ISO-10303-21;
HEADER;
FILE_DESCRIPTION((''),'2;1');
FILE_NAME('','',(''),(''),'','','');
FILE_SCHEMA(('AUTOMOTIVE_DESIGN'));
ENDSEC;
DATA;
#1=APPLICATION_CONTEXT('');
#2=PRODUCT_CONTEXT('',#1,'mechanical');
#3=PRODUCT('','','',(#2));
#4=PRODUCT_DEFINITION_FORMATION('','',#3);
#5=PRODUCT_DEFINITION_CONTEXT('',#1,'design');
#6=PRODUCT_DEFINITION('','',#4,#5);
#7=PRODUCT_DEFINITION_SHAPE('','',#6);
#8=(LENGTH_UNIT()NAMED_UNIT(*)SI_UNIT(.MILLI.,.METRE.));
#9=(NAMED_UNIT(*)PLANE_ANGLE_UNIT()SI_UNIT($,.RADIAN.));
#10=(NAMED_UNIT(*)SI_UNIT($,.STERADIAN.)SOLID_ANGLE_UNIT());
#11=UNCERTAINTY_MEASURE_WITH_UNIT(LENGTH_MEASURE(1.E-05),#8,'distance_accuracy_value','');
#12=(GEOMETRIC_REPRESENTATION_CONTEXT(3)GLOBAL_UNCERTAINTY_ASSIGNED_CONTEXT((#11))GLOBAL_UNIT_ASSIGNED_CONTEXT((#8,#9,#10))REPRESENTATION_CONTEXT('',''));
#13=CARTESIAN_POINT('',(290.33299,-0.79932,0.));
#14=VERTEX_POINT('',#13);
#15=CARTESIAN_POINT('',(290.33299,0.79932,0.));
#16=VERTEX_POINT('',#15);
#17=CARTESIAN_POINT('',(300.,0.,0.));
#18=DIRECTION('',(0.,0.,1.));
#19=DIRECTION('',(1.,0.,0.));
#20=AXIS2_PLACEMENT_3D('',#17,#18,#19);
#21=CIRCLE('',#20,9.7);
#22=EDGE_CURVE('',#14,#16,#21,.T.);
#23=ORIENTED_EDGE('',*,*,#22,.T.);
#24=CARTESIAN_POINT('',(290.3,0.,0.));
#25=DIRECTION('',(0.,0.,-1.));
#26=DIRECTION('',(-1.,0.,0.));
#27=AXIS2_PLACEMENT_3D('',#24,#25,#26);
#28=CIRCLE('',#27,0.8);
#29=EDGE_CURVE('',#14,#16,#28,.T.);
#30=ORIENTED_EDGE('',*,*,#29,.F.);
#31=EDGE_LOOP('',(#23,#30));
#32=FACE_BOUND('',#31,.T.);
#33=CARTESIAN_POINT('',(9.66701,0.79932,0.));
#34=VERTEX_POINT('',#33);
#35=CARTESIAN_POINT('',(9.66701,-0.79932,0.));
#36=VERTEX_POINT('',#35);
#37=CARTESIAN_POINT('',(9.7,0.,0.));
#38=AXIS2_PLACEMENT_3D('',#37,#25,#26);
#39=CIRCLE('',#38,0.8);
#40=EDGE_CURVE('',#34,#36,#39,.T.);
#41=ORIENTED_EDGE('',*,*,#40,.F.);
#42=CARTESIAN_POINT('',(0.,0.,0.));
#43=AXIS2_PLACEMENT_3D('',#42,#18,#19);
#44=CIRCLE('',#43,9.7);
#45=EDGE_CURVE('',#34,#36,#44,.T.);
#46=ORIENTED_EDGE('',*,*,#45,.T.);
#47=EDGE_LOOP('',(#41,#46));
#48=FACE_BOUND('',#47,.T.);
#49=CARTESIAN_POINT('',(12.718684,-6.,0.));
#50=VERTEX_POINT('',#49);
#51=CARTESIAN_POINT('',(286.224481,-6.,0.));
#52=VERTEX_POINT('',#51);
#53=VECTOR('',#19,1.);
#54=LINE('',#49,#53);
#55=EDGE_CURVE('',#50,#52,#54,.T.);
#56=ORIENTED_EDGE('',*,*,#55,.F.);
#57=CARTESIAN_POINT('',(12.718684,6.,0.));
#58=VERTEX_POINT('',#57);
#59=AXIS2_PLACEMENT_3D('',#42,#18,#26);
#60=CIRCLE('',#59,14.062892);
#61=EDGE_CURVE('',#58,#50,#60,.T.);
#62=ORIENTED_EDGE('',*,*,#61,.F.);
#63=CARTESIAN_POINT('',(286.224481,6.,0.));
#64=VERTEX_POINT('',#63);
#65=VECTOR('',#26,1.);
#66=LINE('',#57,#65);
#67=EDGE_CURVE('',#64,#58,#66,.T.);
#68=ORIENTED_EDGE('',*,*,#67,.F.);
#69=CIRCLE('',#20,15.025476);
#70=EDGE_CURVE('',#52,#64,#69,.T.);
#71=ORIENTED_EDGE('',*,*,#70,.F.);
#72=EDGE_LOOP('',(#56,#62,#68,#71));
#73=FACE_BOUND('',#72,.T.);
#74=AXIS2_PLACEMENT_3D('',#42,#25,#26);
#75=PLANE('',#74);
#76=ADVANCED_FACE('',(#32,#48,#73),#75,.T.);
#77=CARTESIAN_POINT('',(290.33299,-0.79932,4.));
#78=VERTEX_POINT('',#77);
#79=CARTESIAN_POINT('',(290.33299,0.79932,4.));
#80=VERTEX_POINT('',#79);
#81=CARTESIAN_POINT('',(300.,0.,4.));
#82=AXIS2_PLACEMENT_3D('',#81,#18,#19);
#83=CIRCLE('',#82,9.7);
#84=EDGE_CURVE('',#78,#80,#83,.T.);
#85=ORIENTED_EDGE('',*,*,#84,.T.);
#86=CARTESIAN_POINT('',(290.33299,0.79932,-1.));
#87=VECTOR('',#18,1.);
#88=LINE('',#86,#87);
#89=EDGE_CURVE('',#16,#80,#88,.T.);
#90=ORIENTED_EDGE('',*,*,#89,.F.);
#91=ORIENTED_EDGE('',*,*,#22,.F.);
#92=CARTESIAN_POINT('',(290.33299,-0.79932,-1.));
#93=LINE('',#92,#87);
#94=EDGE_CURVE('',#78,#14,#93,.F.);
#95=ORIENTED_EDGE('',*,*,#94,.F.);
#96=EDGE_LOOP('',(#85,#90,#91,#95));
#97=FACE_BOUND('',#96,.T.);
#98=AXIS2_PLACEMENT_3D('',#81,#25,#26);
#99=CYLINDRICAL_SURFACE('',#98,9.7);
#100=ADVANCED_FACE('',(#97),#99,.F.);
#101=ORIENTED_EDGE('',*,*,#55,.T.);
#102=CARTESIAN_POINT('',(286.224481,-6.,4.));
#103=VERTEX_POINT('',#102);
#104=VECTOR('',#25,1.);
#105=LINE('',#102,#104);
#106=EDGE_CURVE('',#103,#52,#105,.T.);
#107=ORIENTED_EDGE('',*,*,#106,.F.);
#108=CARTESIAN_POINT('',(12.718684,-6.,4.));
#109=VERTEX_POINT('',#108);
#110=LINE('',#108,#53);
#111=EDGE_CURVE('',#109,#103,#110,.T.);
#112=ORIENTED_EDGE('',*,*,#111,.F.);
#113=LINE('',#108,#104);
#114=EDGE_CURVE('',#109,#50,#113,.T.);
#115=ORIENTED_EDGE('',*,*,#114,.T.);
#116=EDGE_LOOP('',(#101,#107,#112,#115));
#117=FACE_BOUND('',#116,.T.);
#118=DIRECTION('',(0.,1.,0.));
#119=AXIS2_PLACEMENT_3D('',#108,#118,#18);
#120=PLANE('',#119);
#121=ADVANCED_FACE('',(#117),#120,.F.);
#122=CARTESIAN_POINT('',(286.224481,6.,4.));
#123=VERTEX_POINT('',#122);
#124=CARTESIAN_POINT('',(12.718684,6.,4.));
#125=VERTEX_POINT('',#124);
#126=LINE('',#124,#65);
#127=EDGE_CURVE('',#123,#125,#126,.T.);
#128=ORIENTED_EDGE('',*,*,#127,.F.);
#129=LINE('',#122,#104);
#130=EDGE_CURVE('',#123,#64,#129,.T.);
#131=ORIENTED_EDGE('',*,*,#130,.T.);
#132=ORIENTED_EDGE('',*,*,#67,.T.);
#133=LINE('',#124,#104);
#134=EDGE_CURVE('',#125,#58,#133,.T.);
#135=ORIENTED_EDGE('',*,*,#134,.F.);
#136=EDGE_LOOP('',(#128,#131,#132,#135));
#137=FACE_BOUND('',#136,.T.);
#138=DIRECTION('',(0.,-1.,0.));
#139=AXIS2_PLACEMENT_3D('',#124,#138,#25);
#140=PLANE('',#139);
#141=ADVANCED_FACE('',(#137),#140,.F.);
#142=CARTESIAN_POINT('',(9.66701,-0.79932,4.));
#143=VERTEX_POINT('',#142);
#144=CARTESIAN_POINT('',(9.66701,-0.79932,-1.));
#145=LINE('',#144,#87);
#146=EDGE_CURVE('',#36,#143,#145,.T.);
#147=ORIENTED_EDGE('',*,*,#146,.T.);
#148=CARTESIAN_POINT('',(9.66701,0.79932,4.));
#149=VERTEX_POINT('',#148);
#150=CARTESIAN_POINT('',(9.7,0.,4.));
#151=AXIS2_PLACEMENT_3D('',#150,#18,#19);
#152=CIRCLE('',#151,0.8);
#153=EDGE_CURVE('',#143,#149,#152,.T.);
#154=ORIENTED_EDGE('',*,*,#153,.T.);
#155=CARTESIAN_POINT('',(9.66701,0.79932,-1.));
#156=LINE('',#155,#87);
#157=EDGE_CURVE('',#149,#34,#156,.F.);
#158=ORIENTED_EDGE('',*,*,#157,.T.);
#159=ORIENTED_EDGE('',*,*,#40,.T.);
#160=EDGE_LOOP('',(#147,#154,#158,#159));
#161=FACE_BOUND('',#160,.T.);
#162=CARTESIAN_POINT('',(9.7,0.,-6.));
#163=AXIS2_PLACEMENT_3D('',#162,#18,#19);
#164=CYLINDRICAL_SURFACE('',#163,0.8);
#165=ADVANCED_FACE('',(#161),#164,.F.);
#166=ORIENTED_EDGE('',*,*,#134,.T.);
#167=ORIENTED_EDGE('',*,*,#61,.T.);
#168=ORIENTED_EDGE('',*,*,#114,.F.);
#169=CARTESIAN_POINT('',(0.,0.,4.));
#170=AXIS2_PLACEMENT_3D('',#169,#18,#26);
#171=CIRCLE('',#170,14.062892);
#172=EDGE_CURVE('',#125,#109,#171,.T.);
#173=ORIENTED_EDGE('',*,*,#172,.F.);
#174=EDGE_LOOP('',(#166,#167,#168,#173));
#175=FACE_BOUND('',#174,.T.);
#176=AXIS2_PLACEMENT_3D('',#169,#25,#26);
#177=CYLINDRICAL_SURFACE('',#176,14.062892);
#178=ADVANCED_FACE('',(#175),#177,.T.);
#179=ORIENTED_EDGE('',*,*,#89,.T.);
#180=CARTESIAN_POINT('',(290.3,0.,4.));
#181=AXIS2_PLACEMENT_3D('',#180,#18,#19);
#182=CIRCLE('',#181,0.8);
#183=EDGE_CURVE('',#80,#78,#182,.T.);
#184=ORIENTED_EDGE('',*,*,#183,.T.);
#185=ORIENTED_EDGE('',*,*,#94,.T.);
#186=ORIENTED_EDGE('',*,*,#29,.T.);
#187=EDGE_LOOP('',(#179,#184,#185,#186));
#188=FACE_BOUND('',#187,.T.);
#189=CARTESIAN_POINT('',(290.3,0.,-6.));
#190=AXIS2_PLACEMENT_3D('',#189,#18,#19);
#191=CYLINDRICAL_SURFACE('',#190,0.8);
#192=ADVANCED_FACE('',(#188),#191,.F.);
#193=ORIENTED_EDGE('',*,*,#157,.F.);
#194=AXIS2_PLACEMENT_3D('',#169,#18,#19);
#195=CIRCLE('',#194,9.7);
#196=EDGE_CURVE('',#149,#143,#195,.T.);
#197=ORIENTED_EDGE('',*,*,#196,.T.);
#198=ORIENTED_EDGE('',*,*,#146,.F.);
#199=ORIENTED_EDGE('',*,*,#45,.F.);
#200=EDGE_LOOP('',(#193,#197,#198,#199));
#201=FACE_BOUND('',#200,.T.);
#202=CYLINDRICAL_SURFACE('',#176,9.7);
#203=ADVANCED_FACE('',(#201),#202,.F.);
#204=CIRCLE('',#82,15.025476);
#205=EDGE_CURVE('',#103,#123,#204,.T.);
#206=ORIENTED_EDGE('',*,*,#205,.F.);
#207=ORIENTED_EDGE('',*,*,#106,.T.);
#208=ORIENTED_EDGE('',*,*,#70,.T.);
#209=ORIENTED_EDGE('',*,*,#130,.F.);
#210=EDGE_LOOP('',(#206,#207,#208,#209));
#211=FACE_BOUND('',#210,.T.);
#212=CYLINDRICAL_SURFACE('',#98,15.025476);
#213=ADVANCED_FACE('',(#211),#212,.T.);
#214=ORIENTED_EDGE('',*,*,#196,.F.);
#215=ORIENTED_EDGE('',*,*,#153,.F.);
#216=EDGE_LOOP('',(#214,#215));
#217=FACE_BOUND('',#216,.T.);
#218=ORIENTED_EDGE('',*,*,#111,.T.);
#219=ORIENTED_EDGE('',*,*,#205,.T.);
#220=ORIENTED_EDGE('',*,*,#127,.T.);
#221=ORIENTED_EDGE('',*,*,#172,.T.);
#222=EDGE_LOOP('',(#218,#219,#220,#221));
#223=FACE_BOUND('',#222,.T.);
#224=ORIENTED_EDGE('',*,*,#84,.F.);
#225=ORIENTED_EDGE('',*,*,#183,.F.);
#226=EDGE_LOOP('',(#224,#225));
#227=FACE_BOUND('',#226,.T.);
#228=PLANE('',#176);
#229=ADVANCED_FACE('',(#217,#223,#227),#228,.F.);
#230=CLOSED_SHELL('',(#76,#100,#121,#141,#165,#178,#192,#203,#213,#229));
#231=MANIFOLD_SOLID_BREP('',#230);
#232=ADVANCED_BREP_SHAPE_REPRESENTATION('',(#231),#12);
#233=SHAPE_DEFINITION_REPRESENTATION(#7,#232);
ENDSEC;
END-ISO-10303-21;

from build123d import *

# Parameters (mm, degrees)
SKETCH_1_R          = 9.7
EXTRUDE_1_DEPTH     = 4
SKETCH_3_R          = 0.8
CUT_EXTRUDE_1_DEPTH = 10


with BuildPart() as part:
    # 草图1 → 凸台-拉伸1 (new body)
    with BuildSketch(Plane.XY):
        with BuildLine():
            Line((12.718684308, 6), (286.224480753, 6))
            ThreePointArc((286.224480753, 6), (315.02547605, 0), (286.224480753, -6))
            Line((286.224480753, -6), (12.718684308, -6))
            ThreePointArc((12.718684308, -6), (-14.062891969, 0), (12.718684308, 6))
        make_face()
        Circle(SKETCH_1_R, mode=Mode.SUBTRACT)
        with Locations((300, 0)):
            Circle(SKETCH_1_R, mode=Mode.SUBTRACT)
    extrude(amount=EXTRUDE_1_DEPTH)

    # 草图3 → 切除-拉伸1 (cut)
    with BuildSketch(Plane.XY.offset(4)):
        with Locations((9.7, 0)):
            Circle(SKETCH_3_R)
        with Locations((290.3, 0)):
            Circle(SKETCH_3_R)
    extrude(amount=-CUT_EXTRUDE_1_DEPTH, mode=Mode.SUBTRACT)


solid = part.part
